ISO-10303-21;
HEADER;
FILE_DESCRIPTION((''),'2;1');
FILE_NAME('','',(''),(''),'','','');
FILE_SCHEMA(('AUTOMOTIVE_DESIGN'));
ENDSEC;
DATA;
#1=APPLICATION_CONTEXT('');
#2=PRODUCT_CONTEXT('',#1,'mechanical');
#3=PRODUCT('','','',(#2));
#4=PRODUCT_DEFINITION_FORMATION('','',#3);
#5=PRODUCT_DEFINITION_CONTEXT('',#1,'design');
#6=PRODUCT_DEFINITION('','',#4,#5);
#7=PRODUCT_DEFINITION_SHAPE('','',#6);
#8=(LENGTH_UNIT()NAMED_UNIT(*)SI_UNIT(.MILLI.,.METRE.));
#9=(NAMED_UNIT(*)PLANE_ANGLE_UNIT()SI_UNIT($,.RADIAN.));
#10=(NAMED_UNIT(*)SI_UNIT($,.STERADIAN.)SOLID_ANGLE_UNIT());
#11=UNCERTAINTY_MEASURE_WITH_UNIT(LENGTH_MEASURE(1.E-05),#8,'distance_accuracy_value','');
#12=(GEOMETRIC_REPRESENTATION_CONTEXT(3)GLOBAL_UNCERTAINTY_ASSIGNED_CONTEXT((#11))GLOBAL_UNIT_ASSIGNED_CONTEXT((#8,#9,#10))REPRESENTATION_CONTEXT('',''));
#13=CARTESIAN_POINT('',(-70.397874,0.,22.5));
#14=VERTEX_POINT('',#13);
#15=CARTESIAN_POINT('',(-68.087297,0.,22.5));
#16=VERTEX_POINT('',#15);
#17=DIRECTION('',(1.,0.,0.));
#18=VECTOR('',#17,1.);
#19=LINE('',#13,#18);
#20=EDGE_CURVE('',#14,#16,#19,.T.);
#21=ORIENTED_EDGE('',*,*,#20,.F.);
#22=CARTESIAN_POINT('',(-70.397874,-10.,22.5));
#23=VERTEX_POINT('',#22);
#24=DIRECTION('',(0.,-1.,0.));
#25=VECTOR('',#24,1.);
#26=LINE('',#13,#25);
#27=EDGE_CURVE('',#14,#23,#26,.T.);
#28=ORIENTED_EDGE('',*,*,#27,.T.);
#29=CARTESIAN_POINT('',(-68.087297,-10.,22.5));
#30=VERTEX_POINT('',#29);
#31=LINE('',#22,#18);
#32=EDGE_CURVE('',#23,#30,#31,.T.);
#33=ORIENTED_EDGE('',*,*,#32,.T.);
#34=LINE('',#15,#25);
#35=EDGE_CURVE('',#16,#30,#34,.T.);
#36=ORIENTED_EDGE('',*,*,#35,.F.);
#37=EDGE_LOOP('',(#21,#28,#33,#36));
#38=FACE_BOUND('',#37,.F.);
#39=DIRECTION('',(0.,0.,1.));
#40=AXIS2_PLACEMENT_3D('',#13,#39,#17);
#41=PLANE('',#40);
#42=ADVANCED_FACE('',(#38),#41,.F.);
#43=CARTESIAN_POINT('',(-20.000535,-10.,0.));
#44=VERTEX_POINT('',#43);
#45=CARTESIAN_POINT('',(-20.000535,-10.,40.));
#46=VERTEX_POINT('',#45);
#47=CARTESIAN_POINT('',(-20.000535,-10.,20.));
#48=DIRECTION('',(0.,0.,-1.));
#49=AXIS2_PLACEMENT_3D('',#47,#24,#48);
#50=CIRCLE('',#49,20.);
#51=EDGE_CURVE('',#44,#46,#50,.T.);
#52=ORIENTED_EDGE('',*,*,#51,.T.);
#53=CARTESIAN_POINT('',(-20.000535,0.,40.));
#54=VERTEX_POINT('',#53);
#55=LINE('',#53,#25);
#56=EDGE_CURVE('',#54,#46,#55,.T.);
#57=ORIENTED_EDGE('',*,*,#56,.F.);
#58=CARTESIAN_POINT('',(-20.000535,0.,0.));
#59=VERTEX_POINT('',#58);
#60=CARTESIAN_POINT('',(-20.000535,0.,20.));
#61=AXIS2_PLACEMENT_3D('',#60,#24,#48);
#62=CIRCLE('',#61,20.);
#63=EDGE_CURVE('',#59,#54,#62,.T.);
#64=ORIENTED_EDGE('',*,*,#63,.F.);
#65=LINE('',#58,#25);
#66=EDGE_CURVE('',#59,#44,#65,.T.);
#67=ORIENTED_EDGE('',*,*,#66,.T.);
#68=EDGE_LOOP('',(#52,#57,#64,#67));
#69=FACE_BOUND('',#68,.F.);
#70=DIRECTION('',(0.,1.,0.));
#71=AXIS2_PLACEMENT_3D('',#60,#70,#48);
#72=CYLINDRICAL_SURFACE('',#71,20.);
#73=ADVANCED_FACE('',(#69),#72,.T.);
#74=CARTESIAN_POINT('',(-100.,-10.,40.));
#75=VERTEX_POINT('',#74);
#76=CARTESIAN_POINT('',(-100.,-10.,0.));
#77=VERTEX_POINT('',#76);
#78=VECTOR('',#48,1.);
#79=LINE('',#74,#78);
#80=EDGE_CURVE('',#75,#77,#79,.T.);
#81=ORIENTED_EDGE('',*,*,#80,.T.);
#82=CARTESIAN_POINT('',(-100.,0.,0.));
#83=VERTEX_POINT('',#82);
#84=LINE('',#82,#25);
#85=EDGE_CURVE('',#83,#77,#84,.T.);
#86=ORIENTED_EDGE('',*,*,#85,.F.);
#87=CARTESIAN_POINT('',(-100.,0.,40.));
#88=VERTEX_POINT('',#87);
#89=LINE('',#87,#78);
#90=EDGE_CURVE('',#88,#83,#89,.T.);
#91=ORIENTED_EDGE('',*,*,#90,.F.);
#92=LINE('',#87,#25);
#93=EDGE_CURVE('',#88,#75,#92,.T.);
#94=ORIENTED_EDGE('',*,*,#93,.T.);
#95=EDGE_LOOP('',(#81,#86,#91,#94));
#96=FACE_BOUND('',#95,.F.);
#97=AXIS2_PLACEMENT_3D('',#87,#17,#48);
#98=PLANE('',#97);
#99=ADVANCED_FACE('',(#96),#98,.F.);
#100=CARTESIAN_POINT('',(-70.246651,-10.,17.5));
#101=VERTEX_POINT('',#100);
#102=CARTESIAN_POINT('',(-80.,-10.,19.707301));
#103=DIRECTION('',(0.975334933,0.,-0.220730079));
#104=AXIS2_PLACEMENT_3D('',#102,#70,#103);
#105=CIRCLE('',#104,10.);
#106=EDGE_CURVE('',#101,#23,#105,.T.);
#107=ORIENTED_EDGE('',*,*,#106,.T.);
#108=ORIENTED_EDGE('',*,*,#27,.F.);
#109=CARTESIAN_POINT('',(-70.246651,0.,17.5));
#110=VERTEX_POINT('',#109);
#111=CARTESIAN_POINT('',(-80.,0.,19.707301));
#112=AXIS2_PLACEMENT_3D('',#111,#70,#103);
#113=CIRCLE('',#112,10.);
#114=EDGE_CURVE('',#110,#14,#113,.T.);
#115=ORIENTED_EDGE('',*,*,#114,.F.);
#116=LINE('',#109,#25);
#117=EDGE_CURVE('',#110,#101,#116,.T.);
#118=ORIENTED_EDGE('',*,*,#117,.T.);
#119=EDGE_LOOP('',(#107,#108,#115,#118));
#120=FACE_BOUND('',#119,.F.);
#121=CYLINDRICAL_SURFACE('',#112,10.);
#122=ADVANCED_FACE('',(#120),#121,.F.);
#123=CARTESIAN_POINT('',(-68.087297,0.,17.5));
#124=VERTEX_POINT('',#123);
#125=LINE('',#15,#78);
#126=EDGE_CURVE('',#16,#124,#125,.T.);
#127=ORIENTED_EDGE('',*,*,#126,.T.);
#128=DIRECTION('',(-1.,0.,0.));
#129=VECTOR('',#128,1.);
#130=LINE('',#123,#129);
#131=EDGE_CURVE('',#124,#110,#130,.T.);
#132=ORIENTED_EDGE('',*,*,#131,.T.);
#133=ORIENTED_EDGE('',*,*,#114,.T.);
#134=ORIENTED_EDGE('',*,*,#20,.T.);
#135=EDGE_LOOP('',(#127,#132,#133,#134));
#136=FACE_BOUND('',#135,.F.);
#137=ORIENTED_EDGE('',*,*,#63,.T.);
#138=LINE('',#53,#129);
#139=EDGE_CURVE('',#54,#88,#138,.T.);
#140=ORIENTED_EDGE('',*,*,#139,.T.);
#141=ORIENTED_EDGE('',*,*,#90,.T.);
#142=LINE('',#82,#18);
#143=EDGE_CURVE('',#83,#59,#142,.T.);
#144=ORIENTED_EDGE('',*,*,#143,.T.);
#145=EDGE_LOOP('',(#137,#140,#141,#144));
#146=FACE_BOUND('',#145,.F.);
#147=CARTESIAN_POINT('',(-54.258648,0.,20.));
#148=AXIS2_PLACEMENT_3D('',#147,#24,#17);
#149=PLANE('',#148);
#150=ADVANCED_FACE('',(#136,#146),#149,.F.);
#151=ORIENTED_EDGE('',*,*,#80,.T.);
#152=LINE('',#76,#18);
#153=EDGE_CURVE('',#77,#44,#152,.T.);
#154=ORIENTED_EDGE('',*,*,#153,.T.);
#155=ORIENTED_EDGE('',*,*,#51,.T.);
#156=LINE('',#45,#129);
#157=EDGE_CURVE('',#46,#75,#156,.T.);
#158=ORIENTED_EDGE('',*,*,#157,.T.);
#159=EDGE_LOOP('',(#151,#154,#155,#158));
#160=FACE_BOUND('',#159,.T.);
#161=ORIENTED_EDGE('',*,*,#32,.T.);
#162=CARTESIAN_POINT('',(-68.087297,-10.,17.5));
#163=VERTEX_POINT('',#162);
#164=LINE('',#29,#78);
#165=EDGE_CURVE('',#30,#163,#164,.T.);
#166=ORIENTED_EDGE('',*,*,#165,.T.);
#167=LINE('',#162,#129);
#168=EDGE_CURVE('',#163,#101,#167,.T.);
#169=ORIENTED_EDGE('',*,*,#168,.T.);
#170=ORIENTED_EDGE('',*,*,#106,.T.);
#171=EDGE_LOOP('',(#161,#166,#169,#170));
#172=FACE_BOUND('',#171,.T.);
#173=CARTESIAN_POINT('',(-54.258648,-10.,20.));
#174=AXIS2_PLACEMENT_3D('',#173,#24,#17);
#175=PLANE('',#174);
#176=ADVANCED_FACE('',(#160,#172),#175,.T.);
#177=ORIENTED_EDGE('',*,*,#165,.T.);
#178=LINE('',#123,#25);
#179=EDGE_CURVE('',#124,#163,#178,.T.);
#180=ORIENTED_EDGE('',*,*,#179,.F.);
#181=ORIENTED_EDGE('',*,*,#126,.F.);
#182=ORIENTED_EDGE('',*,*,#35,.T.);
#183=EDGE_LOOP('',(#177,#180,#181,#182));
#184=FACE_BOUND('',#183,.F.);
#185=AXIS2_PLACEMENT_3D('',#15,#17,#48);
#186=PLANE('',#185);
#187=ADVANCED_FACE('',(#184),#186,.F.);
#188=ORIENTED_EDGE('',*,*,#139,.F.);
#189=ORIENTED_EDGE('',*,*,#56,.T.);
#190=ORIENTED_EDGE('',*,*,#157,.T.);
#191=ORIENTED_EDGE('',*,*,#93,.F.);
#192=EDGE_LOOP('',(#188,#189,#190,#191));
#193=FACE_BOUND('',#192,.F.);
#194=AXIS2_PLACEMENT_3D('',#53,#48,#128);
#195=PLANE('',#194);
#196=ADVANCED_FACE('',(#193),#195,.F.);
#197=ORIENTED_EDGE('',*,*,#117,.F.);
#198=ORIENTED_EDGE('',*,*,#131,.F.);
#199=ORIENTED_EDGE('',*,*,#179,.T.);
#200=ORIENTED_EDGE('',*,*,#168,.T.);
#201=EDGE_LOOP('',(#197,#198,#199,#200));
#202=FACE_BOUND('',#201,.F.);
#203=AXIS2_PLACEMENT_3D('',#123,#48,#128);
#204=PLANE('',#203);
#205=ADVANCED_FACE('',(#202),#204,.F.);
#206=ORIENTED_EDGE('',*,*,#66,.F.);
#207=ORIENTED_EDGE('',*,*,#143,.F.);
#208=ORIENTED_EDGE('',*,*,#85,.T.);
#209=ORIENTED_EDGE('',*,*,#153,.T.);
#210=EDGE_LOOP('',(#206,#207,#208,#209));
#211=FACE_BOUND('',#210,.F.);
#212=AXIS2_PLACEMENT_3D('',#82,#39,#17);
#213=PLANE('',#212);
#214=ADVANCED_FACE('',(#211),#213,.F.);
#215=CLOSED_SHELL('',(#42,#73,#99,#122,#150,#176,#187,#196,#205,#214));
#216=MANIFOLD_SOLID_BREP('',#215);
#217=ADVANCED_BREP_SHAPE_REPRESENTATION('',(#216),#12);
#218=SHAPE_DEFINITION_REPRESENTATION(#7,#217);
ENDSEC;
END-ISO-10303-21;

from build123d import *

# Parameters (mm, degrees)
F1_DEPTH = 10


with BuildPart() as f1:
    # F0 (on Front) → F1 (new body)
    with BuildSketch(Plane.XZ):
        with BuildLine():
            Line((-100, 0), (-20.000535, 0))
            ThreePointArc((-20.000535, 0), (-0.000535, 20), (-20.000535, 40))
            Line((-20.000535, 40), (-100, 40))
            Line((-100, 40), (-100, 0))
        make_face()
        with BuildLine():
            ThreePointArc((-70.246651, 17.5), (-89.995429, 19.404993), (-70.397874, 22.5))
            Line((-70.397874, 22.5), (-68.087297, 22.5))
            Line((-68.087297, 22.5), (-68.087297, 17.5))
            Line((-68.087297, 17.5), (-70.246651, 17.5))
        make_face(mode=Mode.SUBTRACT)
    extrude(amount=F1_DEPTH)


solid = f1.part
